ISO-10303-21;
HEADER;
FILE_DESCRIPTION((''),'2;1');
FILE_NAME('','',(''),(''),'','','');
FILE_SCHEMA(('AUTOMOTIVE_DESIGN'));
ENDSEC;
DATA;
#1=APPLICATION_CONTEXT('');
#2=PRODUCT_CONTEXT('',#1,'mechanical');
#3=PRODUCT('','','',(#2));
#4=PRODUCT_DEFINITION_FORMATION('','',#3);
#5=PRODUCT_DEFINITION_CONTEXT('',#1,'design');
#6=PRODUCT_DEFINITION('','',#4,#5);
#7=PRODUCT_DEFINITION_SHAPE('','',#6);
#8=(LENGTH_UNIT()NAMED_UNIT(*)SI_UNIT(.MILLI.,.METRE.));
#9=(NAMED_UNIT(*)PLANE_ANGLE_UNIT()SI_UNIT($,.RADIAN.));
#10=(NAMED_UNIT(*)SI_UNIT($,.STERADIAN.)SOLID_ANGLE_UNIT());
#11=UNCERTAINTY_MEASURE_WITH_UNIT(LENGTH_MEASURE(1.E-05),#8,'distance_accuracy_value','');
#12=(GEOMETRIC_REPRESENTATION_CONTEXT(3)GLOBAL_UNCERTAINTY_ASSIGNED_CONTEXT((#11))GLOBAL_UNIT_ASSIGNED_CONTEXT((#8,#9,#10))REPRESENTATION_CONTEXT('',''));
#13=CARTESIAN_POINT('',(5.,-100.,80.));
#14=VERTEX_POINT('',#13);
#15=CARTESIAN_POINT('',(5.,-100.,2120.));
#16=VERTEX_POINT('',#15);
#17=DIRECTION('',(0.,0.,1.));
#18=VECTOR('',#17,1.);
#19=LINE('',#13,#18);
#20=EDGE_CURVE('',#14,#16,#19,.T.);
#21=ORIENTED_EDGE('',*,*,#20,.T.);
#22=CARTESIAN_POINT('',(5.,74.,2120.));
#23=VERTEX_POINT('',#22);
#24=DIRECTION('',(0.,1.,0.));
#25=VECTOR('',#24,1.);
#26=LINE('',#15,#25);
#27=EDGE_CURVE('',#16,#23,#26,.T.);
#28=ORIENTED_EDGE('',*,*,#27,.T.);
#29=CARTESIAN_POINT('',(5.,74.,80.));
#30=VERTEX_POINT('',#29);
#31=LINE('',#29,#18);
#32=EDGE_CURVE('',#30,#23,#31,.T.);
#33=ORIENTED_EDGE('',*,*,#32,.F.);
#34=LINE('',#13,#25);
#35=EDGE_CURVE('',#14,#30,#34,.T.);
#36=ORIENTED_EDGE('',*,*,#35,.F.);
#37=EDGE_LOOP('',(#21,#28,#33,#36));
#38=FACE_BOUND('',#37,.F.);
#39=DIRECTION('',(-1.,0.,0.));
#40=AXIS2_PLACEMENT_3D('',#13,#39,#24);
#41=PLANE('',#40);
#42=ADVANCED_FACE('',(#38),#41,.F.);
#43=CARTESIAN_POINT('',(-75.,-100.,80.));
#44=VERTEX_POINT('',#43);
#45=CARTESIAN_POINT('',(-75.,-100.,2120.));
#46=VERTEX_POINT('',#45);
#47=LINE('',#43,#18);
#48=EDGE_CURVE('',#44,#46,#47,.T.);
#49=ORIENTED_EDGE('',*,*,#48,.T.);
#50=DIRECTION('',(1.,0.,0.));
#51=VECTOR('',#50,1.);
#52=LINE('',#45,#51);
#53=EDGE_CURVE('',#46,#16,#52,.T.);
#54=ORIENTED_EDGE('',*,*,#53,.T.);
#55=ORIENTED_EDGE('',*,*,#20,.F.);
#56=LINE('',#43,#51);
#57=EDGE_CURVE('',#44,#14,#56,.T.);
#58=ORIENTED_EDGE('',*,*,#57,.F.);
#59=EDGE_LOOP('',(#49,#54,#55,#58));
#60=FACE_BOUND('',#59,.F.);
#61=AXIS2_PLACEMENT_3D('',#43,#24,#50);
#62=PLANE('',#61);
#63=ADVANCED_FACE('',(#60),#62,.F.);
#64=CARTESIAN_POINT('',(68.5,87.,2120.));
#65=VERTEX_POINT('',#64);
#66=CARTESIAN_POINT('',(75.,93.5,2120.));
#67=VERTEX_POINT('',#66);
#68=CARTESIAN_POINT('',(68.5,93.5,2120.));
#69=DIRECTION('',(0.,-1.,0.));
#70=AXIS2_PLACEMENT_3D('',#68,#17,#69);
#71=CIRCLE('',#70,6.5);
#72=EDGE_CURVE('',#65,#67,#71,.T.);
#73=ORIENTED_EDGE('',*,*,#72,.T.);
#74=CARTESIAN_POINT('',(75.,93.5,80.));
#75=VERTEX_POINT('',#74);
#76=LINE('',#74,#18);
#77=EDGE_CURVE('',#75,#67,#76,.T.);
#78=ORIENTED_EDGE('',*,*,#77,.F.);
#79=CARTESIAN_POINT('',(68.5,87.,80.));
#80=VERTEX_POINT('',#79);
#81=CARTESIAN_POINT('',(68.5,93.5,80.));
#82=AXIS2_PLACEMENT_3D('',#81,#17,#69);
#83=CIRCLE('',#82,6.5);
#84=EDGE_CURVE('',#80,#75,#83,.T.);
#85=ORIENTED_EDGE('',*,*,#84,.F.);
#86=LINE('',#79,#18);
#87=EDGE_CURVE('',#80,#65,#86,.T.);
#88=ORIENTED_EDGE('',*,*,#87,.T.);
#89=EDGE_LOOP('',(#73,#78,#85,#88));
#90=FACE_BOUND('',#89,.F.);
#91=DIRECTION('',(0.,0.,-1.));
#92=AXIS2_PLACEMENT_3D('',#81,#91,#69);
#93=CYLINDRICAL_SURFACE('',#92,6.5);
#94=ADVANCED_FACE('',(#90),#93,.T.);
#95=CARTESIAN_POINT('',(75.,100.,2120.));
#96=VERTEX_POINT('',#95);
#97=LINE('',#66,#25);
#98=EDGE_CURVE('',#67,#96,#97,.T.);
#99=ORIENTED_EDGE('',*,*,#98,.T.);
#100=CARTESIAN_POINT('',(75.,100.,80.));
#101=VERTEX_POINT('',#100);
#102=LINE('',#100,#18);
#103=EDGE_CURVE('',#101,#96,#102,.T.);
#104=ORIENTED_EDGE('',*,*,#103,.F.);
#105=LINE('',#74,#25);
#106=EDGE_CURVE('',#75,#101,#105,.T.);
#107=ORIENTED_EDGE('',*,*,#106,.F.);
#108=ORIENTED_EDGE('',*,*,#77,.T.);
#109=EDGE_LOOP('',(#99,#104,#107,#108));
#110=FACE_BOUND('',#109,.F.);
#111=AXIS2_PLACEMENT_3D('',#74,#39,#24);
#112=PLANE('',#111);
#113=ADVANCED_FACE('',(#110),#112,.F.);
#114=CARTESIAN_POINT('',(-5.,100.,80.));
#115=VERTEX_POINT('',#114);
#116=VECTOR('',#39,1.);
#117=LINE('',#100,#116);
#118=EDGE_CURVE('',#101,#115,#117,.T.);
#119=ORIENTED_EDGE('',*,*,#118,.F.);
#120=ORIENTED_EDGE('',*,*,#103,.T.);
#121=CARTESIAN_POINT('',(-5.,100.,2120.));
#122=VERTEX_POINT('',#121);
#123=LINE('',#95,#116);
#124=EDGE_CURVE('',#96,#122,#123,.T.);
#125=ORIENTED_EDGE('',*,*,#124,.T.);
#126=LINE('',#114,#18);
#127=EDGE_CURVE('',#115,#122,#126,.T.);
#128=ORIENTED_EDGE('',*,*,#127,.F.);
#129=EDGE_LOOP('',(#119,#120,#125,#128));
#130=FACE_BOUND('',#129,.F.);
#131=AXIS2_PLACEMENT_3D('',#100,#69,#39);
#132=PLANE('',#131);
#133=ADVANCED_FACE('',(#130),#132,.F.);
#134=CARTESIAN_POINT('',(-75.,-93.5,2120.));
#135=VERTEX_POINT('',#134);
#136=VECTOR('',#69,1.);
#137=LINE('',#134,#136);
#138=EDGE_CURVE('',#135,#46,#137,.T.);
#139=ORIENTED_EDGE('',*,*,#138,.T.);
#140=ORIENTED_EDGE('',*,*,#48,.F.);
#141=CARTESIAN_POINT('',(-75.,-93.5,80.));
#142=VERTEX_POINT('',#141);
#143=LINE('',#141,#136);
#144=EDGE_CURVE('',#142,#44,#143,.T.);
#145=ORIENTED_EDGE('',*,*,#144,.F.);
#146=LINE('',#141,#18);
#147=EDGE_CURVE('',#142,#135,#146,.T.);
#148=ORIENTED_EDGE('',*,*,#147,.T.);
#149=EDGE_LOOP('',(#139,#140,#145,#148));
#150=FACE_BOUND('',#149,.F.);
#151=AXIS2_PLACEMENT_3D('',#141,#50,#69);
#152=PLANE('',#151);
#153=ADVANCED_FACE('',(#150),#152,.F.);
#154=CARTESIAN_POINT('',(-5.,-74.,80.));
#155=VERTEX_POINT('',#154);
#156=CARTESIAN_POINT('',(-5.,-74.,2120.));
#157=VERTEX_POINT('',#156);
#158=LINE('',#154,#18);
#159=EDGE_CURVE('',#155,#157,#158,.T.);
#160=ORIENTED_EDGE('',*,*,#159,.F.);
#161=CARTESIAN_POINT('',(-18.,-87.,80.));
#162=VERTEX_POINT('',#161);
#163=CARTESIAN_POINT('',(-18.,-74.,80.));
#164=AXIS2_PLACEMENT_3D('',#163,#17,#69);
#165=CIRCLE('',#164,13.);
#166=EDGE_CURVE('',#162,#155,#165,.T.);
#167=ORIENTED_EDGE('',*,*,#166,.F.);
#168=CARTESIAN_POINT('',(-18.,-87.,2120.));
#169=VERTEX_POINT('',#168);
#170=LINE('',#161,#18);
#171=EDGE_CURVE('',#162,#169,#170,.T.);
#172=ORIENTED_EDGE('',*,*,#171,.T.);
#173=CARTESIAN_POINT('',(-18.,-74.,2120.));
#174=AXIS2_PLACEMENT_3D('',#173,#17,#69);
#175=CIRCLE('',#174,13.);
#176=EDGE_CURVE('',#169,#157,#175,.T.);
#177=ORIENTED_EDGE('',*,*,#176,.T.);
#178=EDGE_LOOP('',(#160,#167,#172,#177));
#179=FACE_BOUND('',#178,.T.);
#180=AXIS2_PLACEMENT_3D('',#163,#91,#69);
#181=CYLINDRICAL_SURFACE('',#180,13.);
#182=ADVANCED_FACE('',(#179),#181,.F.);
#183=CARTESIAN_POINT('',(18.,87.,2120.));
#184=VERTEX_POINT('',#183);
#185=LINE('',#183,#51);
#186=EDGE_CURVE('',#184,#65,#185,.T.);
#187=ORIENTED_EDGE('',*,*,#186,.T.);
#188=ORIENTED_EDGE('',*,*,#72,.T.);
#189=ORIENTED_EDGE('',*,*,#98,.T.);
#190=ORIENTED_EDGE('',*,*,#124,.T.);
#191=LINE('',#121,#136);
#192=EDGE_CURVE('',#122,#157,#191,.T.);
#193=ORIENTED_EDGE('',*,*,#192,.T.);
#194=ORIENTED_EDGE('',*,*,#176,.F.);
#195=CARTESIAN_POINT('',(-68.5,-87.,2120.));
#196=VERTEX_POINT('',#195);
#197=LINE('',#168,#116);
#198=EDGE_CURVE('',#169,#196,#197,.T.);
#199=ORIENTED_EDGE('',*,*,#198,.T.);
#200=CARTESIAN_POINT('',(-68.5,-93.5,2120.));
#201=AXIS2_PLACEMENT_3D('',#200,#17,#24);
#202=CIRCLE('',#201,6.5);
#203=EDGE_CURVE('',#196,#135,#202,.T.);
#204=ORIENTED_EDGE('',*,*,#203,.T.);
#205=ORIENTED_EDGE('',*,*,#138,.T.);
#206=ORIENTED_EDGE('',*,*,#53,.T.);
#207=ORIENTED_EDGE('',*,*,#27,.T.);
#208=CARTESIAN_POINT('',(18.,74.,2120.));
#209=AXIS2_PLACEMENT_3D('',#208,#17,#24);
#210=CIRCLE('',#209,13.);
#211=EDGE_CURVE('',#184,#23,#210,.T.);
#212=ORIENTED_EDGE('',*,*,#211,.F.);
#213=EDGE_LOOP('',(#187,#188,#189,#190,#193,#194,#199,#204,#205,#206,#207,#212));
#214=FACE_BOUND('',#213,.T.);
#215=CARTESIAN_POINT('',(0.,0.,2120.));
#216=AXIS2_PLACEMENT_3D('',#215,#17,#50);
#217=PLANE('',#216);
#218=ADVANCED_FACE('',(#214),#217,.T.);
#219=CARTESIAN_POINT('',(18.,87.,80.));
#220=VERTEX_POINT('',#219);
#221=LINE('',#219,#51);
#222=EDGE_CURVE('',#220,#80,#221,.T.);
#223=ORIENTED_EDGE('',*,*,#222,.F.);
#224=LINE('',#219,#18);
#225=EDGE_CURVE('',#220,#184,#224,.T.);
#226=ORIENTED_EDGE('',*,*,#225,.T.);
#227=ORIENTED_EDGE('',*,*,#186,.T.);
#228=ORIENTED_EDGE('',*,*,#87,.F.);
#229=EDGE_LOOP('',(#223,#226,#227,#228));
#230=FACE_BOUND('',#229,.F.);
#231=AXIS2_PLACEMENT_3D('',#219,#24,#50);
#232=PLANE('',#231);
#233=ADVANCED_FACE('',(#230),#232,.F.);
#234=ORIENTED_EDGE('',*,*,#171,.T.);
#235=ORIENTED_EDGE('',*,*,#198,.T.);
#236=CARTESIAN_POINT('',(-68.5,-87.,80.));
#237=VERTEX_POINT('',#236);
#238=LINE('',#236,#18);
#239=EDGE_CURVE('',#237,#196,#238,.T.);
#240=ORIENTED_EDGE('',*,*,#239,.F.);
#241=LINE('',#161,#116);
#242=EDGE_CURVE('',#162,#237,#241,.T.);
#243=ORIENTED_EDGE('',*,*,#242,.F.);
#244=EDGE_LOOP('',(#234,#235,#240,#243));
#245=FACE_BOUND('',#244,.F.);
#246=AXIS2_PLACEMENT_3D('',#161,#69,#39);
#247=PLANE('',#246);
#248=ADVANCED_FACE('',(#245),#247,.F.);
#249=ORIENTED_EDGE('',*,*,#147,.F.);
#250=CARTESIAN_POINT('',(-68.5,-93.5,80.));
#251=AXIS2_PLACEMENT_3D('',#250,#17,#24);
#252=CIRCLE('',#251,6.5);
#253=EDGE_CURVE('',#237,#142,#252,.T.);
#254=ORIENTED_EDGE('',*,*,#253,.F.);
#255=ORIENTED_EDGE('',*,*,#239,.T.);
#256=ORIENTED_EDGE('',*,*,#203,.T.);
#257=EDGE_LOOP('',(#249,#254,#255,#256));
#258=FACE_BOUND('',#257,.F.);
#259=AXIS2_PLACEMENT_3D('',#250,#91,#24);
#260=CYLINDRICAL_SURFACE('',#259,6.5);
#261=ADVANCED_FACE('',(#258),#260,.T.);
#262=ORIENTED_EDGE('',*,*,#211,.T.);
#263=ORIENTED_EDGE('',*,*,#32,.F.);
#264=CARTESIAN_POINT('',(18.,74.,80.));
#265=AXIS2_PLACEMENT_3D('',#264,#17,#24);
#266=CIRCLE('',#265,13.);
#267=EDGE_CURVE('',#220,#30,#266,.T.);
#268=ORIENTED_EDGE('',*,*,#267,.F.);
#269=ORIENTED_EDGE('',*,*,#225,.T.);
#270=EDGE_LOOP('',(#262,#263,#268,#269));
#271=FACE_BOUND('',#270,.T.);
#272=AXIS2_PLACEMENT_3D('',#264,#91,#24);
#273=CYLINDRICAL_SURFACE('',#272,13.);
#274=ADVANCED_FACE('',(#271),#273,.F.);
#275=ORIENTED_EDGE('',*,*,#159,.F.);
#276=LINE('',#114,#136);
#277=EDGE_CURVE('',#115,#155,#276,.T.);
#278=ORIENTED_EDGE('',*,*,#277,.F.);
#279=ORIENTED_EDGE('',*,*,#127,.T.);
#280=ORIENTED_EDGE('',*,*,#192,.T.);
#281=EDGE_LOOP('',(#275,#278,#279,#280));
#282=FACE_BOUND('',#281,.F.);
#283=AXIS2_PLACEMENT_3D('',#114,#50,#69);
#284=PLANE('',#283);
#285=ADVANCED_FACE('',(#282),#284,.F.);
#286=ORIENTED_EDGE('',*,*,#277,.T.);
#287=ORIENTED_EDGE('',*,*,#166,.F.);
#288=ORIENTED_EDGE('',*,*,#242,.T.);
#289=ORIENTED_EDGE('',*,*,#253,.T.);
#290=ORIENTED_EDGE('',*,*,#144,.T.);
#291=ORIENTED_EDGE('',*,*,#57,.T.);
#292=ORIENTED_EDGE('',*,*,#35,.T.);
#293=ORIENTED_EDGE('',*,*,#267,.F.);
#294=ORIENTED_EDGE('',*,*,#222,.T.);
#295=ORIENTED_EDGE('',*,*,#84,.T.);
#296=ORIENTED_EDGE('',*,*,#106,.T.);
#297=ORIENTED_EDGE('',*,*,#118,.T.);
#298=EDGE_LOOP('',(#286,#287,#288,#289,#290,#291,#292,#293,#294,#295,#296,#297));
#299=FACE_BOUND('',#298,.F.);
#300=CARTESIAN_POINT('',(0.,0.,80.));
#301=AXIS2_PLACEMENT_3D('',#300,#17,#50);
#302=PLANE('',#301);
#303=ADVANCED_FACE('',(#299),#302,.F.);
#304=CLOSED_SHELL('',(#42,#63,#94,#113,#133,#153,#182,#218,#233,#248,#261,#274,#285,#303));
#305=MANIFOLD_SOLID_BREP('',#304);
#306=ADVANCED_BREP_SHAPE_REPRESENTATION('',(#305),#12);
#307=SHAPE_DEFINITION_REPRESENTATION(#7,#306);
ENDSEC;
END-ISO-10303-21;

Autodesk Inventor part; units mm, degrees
ref_plane "Start plane" through (0, 0, 80) normal (0, 0, 1) x (1, 0, 0)
ref_plane "End plane" through (0, 0, 2120) normal (0, 0, 1) x (1, 0, 0)
sketch "Sketch" plane through (0, 0, 0) normal (0, 0, 1) x (1, 0, 0)
  line L0 (-75, -100) -> (5, -100)
  line L1 (5, -100) -> (5, 74)
  line L2 (18, 87) -> (68.5, 87)
  line L3 (75, 93.5) -> (75, 100)
  line L4 (75, 100) -> (-5, 100)
  line L5 (-5, 100) -> (-5, -74)
  line L6 (-18, -87) -> (-68.5, -87)
  line L7 (-75, -93.5) -> (-75, -100)
  line L8 (173.6154, 0) -> (-40.1539, 0) construction
  line L9 (0, -212) -> (0, 68) construction
  arc A0 (-18, -87) -> (-5, -74) centre (-18, -74) ccw
  arc A1 (18, 87) -> (5, 74) centre (18, 74) ccw
  arc A2 (-68.5, -87) -> (-75, -93.5) centre (-68.5, -93.5) ccw
  arc A3 (68.5, 87) -> (75, 93.5) centre (68.5, 93.5) ccw
  line L10 (0, 162.4) -> (0, -274.4) construction
  line L11 (-126.3385, 0) -> (223.6078, 0) construction
  point P0 (5, 87)
  point P1 (75, 87)
  point P2 (-5, -87)
  point P3 (-75, -87)
  dimension "d0" = 200
  dimension "d1" = 80
  dimension "d2" = 80
  dimension "d3" = 13
  dimension "d4" = 13
  dimension "d5" = 10
  dimension "d10" = 13
  dimension "d11" = 6.5
  dimension "d12" = 5
  dimension "d13" = 100
extrude "Body" add sketch "Sketch" along normal up to surface (2040 mm away) from surface at 80
sketch "Sketch3" plane through (0, 0, 0) normal (0, 0, 1) x (1, 0, 0)
  line L0 (0, 0) -> (10, 0)
ref_plane "Work Plane3" through (0, 0, 0) normal (0, -1, 0) x (1, 0, 0)
sketch "Sketch4" plane through (0, 0, 0) normal (0, -1, 0) x (1, 0, 0)
  line L0 (-2, 80) -> (12, 80)
  line L1 (-2, 2120) -> (12, 2120)
  dimension "d17" = 2040
ref_plane "Work Plane4" through (-1500, 0, 80) normal (0, 0, -1) x (-1, 0, 0)
split "Split1" plane through (-1500, 0, 80) removes the side toward (0, 0, -1)
ref_plane "Work Plane5" through (3500, 0, 2120) normal (0, 0, 1) x (1, 0, 0)
split "Split2" plane through (3500, 0, 2120) removes the side toward (0, 0, 1)
equation "\"d0\" = G_H"
equation "\"d1\" = G_W"
equation "\"d2\" = G_W"
equation "\"d3\" = G_T1"
equation "\"d4\" = G_T1"
equation "\"d5\" = G_T"
equation "\"d10\" = G_IR"
equation "\"d11\" = G_ER"
equation "\"d12\" = 0.5 * d5"
equation "\"d13\" = 0.5 * d0"
equation "\"d6\" = G_L"
equation "\"G_W\" = 80"
equation "\"G_H\" = 200"
equation "\"G_T\" = 10"
equation "\"G_T1\" = 13"
equation "\"G_IR\" = 13"
equation "\"G_ER\" = 6.5"
equation "\"G_L\" = d17"
properties part number "DIN1027 - Z 200 - 2040" material "Steel, Mild"
